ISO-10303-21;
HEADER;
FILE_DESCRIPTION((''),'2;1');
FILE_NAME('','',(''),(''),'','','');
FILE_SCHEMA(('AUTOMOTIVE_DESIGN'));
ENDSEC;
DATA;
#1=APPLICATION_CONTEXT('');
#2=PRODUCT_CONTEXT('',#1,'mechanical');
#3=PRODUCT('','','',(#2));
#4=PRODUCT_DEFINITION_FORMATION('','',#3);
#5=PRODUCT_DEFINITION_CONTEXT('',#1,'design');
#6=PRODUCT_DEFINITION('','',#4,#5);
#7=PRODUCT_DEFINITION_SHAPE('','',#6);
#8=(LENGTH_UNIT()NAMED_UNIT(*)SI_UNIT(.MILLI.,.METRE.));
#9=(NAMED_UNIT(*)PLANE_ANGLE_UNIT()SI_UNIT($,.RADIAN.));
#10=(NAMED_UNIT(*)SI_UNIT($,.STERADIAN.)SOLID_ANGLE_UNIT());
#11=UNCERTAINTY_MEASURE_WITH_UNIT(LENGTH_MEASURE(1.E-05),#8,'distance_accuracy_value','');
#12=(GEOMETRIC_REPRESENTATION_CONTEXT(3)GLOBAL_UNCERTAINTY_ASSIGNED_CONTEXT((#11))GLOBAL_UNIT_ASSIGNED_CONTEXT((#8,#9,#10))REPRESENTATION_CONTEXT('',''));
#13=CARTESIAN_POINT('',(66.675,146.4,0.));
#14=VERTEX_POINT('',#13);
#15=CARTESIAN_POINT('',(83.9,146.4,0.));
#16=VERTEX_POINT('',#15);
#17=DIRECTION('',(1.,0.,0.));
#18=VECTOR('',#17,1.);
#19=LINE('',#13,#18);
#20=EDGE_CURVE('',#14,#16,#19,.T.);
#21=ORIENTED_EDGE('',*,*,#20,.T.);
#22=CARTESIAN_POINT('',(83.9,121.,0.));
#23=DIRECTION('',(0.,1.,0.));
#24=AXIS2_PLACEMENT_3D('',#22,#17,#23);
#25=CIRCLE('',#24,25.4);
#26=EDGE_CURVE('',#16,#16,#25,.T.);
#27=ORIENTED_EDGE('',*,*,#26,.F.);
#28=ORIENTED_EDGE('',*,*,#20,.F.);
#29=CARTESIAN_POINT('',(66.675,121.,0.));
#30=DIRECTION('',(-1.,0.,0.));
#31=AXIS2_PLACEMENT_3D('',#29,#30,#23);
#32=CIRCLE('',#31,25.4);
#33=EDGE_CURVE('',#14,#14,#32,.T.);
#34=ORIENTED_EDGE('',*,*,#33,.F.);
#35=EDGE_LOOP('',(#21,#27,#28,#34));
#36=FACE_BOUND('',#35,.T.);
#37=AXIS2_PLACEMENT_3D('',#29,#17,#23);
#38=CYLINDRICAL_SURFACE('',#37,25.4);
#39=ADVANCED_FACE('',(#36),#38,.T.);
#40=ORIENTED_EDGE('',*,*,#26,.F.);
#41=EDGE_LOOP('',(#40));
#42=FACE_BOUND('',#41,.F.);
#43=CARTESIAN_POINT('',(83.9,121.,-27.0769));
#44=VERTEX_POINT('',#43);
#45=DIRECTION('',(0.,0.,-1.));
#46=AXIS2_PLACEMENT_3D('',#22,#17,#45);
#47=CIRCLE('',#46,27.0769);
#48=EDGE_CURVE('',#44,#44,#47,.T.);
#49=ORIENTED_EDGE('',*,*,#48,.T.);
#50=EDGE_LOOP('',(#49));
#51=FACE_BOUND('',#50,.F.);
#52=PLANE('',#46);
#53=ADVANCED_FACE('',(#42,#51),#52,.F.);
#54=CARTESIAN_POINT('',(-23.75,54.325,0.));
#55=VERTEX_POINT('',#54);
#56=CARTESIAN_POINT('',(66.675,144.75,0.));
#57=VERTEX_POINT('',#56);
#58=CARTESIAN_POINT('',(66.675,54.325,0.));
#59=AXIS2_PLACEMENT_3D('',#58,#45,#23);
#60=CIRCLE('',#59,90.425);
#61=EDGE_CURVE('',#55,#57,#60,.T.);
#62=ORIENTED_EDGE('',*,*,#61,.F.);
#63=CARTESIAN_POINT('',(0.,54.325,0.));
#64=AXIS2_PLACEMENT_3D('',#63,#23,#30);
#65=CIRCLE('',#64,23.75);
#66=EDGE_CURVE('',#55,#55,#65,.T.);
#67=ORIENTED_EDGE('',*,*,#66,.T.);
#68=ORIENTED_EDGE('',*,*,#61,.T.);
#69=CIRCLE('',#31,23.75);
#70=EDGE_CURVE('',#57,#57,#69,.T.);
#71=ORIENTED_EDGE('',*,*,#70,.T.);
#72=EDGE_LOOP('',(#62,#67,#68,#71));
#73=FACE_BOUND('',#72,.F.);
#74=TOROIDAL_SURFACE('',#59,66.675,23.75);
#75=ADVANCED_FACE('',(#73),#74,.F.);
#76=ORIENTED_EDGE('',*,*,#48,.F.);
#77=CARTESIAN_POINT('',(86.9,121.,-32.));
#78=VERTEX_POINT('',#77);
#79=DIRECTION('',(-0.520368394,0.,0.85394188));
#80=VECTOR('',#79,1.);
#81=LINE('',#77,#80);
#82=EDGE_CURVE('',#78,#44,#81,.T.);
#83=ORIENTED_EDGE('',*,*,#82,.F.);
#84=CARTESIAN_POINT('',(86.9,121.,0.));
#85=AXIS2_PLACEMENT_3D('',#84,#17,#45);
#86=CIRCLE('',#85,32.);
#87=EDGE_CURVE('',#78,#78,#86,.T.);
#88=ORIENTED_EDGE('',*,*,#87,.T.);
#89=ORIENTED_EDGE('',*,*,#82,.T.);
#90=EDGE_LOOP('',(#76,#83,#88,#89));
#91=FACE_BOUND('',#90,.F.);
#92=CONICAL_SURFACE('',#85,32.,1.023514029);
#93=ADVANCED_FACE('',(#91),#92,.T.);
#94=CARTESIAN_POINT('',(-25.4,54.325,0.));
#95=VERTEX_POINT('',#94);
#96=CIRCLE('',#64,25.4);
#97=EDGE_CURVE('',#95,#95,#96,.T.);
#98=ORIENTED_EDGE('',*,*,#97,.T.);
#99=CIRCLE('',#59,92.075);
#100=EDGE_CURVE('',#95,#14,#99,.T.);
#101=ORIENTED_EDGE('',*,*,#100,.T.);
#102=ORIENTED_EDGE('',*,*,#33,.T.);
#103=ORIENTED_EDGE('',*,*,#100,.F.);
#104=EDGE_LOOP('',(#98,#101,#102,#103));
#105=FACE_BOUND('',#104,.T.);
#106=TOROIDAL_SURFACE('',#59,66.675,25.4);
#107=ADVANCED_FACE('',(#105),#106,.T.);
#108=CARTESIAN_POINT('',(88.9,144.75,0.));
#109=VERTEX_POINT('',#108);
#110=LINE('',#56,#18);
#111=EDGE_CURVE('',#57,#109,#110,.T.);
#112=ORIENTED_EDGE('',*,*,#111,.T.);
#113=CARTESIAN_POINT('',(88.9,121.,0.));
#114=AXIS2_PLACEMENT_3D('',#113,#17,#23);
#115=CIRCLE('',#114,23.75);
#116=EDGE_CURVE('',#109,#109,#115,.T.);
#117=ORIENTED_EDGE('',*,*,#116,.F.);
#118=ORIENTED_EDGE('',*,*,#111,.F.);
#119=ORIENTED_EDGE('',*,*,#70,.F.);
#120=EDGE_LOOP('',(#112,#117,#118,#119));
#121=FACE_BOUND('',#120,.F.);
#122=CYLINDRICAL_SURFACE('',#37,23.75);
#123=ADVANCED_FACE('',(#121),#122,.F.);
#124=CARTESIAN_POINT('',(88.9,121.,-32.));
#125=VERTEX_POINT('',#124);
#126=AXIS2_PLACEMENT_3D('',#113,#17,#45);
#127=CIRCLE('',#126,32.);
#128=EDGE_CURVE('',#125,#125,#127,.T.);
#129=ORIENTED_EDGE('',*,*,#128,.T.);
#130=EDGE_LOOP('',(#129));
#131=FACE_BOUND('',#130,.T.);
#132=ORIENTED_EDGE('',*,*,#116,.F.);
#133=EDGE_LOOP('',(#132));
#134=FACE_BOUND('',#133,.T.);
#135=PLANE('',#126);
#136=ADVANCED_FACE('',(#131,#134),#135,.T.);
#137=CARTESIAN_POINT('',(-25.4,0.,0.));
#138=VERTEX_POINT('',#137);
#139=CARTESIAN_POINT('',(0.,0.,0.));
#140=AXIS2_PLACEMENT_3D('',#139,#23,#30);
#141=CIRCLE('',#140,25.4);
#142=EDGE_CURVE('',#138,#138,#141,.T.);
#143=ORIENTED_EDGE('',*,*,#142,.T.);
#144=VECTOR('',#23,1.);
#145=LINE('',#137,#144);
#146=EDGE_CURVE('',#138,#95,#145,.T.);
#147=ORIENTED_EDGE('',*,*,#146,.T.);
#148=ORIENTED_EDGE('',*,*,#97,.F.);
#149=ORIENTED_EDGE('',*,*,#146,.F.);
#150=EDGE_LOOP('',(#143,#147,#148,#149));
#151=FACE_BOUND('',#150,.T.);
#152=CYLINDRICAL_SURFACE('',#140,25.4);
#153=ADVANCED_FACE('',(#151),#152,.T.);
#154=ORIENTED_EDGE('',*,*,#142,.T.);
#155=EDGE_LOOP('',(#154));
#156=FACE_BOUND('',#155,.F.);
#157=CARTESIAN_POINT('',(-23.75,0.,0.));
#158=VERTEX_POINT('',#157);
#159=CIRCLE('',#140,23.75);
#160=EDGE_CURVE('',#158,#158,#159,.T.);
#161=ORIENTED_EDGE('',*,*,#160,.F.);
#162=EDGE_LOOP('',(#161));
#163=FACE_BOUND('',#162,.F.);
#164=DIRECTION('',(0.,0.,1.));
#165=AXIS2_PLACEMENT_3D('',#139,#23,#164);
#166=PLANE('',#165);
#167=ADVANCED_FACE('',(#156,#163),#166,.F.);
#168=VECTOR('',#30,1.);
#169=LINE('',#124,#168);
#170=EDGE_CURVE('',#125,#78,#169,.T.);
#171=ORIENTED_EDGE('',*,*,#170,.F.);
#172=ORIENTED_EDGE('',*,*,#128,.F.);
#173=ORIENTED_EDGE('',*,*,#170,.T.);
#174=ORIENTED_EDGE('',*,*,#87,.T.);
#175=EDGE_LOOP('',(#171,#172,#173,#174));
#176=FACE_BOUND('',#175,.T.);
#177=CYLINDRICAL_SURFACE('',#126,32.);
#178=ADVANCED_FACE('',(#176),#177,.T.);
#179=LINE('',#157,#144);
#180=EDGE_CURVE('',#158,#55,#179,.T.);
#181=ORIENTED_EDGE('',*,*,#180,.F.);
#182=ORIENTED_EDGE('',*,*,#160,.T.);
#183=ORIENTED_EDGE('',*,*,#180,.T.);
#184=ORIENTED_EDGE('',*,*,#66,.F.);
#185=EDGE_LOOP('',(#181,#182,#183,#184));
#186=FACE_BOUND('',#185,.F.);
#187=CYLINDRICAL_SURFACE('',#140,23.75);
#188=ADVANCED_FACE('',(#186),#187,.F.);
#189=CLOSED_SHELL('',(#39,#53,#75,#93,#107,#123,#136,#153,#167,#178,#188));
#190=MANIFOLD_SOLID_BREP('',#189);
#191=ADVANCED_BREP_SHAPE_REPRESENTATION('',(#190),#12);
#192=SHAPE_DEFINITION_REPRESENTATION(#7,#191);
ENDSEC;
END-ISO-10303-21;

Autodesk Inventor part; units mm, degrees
ref_plane "YZ Plane" through (0, 0, 0) normal (1, 0, 0) x (0, 1, 0)
ref_plane "XZ Plane" through (0, 0, 0) normal (0, 1, 0) x (-1, 0, 0)
ref_plane "XY Plane" through (0, 0, 0) normal (0, 0, 1) x (1, 0, 0)
sketch "Sketch1" plane through (0, 0, 0) normal (0, 0, 1) x (1, 0, 0)
  line L0 (0, 0) -> (0, 54.325)
  line L1 (66.675, 121) -> (88.9, 121)
  arc A0 (66.675, 121) -> (0, 54.325) centre (66.675, 54.325) ccw
  dimension "d1" = 121
  dimension "d2" = 88.9
  dimension "d4" = 66.675
sketch "Sketch2" plane through (0, 0, 0) normal (0, 1, 0) x (-1, 0, 0)
  circle A0 centre (0, 0) radius 25.4
  circle A1 centre (0, 0) radius 23.75
  dimension "d3" = 50.8
  dimension "d11" = 1.65
sweep "Sweep1" add profiles "Sketch2" path "Sketch1"
sketch "Sketch3" plane through (88.9, 121, 0) normal (1, 0, 0) x (0, 0, -1)
  circle A0 centre (0, 0) radius 25.4 projected
  circle A1 centre (0, 0) radius 32
  point P0 (0, -121)
  dimension "d6" = 64
extrude "Extrusion1" add sketch "Sketch3" against normal blind 5
chamfer "Chamfer1" distance 3 distance2 4.9231 1 edges at (83.9, 121, 32) measured on face at (85.5667, 118.4251, -31.8962)
equation "\"d4\" = 0.75 * d2"
equation "\"d15\" = 0.0769231 * d6"
properties part number "Ferrule 90 deg Elb-50.8"
